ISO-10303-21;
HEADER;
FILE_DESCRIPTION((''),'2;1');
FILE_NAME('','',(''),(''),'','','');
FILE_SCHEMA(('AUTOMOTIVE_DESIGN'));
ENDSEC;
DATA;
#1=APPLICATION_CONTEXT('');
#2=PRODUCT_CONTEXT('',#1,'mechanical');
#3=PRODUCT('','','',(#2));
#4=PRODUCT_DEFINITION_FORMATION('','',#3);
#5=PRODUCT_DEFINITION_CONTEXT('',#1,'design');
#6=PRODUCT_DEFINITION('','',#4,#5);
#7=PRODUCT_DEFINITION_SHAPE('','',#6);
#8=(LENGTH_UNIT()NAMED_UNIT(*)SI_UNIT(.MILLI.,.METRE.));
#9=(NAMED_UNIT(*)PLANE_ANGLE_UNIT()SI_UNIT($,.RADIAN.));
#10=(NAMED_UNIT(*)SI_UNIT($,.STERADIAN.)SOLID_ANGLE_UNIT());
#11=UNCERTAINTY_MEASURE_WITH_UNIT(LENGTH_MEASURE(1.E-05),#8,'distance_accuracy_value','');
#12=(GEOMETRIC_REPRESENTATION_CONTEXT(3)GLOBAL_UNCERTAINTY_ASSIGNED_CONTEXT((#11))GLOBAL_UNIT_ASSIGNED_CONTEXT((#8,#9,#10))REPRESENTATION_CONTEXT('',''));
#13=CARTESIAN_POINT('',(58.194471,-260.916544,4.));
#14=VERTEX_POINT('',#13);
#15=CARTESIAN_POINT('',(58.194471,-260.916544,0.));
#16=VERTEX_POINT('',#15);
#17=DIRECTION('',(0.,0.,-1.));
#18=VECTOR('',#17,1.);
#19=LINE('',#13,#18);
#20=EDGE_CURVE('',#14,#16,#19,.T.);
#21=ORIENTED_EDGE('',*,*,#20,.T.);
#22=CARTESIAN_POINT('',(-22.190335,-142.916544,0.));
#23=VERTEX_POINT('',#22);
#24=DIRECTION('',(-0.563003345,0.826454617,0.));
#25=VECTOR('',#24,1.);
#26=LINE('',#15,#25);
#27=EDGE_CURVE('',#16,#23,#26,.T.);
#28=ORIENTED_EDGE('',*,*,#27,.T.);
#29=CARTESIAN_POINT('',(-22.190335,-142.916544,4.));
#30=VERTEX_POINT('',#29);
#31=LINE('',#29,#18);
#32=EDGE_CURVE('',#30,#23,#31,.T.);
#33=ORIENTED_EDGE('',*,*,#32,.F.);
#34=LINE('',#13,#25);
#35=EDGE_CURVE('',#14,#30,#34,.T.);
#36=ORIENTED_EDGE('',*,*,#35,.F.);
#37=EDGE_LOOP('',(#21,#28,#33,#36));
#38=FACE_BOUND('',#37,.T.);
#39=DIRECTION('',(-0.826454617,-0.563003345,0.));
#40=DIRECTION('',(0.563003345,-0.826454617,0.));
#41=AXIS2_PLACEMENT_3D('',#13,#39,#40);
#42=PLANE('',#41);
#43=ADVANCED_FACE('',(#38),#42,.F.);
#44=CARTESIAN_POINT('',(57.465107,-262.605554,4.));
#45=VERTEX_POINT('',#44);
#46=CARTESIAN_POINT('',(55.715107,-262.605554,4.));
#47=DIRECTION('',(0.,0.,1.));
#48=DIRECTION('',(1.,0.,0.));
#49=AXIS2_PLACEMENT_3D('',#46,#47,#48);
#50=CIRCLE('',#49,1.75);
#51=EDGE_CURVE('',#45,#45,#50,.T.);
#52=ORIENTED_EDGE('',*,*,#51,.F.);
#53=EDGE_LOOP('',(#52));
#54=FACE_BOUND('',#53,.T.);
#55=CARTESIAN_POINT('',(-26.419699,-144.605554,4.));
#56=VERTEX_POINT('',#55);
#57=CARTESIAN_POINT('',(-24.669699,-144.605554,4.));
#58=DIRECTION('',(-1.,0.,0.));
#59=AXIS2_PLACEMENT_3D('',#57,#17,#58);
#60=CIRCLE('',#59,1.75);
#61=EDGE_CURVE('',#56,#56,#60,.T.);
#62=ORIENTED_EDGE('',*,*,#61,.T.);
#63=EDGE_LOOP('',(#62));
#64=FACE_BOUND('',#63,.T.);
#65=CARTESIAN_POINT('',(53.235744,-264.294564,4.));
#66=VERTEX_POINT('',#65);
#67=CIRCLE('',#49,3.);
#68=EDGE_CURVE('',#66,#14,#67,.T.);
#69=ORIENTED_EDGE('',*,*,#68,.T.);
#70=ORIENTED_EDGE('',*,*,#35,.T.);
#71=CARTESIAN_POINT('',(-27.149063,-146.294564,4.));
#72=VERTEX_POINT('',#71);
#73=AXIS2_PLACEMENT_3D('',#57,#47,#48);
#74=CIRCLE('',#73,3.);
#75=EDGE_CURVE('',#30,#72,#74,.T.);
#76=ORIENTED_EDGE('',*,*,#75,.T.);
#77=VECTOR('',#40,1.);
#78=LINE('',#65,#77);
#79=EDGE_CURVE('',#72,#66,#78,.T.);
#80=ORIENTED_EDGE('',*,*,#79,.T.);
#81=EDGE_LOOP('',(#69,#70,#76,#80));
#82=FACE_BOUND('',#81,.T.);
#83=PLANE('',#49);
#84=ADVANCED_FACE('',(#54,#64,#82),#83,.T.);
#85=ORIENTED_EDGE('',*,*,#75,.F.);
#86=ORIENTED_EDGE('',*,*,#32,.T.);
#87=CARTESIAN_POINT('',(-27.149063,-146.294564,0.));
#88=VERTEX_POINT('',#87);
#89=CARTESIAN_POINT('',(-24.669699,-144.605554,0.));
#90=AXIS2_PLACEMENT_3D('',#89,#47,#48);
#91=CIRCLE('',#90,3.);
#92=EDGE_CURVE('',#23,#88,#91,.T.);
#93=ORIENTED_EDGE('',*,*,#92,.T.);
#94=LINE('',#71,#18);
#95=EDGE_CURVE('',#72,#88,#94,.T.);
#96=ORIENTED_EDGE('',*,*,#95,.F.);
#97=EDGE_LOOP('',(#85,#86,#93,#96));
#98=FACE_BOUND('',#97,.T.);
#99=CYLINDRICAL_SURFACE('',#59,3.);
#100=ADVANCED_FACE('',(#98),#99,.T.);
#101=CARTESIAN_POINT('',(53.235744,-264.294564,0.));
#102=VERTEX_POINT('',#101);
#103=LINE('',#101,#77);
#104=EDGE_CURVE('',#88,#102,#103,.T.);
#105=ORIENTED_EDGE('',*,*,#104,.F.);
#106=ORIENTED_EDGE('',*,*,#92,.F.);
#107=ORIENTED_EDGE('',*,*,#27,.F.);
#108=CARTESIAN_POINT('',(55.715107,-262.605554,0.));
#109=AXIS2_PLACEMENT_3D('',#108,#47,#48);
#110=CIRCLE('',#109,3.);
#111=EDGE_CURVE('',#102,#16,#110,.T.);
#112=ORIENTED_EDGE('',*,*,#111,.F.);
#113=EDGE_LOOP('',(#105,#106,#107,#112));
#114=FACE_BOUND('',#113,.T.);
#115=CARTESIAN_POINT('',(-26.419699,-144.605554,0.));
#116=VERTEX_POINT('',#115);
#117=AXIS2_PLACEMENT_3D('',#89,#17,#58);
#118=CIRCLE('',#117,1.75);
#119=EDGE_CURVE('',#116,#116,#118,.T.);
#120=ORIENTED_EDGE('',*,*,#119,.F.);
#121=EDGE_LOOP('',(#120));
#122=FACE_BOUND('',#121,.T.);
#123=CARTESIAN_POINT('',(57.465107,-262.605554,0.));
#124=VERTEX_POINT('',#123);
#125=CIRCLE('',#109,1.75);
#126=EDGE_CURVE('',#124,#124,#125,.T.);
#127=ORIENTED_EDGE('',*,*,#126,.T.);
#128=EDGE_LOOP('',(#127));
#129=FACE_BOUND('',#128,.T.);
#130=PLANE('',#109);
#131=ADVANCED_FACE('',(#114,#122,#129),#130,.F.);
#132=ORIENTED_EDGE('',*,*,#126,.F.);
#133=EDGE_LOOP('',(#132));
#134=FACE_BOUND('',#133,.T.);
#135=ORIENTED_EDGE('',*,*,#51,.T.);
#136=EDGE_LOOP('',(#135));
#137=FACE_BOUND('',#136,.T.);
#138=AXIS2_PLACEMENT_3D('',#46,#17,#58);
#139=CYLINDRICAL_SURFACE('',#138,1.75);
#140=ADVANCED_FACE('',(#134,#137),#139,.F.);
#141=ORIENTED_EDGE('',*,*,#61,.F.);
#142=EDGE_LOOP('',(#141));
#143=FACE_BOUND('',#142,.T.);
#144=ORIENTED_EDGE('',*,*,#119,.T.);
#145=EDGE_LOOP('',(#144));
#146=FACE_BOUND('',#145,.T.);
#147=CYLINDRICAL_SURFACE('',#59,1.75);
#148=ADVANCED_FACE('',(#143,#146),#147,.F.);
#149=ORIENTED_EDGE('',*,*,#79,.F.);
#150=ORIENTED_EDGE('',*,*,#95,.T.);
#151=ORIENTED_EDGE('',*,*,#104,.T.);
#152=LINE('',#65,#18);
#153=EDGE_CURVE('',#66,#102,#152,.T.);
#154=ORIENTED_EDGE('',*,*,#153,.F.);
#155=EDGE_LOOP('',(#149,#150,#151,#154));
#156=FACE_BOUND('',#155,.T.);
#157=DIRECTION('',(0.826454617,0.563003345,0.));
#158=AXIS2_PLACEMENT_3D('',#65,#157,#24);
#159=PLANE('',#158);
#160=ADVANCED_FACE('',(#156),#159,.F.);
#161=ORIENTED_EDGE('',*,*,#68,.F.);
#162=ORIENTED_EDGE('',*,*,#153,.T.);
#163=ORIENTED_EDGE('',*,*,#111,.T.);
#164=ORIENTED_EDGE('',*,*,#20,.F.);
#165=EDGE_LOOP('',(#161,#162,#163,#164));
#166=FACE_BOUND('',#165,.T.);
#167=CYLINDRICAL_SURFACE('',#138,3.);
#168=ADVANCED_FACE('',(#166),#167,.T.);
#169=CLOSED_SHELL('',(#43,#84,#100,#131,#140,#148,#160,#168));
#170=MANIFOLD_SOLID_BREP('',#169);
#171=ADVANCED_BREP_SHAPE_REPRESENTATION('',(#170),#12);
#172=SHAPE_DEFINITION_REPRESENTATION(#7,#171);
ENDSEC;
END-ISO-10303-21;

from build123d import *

# Parameters (mm, degrees)
SKETCH1_R           = 1.75
SKETCH1_R_2         = 1.6
BOSS_EXTRUDE1_DEPTH = 4
SKETCH2_R           = 1.750000006
CUT_EXTRUDE1_DEPTH  = 273.455015697


with BuildPart() as part:
    # Sketch1 → Boss-Extrude1 (new body)
    with BuildSketch(Plane(origin=(32.906081825, 0, 0), x_dir=(1, 0, 0), z_dir=(0, 0, 1))):
        with BuildLine():
            Line((20.329661808, -264.294564045), (-60.05514496, -146.294564045))
            ThreePointArc((-60.05514496, -146.294564045), (-59.264791143, -142.12619016), (-55.096417258, -142.916543976))
            Line((-55.096417258, -142.916543976), (25.288389509, -260.916543976))
            ThreePointArc((25.288389509, -260.916543976), (24.498035692, -265.084917861), (20.329661808, -264.294564045))
        make_face()
        with Locations((22.809025658, -262.60555401)):
            Circle(SKETCH1_R, mode=Mode.SUBTRACT)
        with Locations((-57.575781109, -144.60555401)):
            Circle(SKETCH1_R_2, mode=Mode.SUBTRACT)
    extrude(amount=BOSS_EXTRUDE1_DEPTH)

    # Sketch2 → Cut-Extrude1 (cut, through all)
    with BuildSketch(Plane(origin=(32.906081825, 0, 0), x_dir=(-1, 0, 0), z_dir=(0, 0, -1))):
        with Locations((57.575781109, -144.60555401)):
            Circle(SKETCH2_R)
    extrude(amount=-CUT_EXTRUDE1_DEPTH, mode=Mode.SUBTRACT)


solid = part.part
